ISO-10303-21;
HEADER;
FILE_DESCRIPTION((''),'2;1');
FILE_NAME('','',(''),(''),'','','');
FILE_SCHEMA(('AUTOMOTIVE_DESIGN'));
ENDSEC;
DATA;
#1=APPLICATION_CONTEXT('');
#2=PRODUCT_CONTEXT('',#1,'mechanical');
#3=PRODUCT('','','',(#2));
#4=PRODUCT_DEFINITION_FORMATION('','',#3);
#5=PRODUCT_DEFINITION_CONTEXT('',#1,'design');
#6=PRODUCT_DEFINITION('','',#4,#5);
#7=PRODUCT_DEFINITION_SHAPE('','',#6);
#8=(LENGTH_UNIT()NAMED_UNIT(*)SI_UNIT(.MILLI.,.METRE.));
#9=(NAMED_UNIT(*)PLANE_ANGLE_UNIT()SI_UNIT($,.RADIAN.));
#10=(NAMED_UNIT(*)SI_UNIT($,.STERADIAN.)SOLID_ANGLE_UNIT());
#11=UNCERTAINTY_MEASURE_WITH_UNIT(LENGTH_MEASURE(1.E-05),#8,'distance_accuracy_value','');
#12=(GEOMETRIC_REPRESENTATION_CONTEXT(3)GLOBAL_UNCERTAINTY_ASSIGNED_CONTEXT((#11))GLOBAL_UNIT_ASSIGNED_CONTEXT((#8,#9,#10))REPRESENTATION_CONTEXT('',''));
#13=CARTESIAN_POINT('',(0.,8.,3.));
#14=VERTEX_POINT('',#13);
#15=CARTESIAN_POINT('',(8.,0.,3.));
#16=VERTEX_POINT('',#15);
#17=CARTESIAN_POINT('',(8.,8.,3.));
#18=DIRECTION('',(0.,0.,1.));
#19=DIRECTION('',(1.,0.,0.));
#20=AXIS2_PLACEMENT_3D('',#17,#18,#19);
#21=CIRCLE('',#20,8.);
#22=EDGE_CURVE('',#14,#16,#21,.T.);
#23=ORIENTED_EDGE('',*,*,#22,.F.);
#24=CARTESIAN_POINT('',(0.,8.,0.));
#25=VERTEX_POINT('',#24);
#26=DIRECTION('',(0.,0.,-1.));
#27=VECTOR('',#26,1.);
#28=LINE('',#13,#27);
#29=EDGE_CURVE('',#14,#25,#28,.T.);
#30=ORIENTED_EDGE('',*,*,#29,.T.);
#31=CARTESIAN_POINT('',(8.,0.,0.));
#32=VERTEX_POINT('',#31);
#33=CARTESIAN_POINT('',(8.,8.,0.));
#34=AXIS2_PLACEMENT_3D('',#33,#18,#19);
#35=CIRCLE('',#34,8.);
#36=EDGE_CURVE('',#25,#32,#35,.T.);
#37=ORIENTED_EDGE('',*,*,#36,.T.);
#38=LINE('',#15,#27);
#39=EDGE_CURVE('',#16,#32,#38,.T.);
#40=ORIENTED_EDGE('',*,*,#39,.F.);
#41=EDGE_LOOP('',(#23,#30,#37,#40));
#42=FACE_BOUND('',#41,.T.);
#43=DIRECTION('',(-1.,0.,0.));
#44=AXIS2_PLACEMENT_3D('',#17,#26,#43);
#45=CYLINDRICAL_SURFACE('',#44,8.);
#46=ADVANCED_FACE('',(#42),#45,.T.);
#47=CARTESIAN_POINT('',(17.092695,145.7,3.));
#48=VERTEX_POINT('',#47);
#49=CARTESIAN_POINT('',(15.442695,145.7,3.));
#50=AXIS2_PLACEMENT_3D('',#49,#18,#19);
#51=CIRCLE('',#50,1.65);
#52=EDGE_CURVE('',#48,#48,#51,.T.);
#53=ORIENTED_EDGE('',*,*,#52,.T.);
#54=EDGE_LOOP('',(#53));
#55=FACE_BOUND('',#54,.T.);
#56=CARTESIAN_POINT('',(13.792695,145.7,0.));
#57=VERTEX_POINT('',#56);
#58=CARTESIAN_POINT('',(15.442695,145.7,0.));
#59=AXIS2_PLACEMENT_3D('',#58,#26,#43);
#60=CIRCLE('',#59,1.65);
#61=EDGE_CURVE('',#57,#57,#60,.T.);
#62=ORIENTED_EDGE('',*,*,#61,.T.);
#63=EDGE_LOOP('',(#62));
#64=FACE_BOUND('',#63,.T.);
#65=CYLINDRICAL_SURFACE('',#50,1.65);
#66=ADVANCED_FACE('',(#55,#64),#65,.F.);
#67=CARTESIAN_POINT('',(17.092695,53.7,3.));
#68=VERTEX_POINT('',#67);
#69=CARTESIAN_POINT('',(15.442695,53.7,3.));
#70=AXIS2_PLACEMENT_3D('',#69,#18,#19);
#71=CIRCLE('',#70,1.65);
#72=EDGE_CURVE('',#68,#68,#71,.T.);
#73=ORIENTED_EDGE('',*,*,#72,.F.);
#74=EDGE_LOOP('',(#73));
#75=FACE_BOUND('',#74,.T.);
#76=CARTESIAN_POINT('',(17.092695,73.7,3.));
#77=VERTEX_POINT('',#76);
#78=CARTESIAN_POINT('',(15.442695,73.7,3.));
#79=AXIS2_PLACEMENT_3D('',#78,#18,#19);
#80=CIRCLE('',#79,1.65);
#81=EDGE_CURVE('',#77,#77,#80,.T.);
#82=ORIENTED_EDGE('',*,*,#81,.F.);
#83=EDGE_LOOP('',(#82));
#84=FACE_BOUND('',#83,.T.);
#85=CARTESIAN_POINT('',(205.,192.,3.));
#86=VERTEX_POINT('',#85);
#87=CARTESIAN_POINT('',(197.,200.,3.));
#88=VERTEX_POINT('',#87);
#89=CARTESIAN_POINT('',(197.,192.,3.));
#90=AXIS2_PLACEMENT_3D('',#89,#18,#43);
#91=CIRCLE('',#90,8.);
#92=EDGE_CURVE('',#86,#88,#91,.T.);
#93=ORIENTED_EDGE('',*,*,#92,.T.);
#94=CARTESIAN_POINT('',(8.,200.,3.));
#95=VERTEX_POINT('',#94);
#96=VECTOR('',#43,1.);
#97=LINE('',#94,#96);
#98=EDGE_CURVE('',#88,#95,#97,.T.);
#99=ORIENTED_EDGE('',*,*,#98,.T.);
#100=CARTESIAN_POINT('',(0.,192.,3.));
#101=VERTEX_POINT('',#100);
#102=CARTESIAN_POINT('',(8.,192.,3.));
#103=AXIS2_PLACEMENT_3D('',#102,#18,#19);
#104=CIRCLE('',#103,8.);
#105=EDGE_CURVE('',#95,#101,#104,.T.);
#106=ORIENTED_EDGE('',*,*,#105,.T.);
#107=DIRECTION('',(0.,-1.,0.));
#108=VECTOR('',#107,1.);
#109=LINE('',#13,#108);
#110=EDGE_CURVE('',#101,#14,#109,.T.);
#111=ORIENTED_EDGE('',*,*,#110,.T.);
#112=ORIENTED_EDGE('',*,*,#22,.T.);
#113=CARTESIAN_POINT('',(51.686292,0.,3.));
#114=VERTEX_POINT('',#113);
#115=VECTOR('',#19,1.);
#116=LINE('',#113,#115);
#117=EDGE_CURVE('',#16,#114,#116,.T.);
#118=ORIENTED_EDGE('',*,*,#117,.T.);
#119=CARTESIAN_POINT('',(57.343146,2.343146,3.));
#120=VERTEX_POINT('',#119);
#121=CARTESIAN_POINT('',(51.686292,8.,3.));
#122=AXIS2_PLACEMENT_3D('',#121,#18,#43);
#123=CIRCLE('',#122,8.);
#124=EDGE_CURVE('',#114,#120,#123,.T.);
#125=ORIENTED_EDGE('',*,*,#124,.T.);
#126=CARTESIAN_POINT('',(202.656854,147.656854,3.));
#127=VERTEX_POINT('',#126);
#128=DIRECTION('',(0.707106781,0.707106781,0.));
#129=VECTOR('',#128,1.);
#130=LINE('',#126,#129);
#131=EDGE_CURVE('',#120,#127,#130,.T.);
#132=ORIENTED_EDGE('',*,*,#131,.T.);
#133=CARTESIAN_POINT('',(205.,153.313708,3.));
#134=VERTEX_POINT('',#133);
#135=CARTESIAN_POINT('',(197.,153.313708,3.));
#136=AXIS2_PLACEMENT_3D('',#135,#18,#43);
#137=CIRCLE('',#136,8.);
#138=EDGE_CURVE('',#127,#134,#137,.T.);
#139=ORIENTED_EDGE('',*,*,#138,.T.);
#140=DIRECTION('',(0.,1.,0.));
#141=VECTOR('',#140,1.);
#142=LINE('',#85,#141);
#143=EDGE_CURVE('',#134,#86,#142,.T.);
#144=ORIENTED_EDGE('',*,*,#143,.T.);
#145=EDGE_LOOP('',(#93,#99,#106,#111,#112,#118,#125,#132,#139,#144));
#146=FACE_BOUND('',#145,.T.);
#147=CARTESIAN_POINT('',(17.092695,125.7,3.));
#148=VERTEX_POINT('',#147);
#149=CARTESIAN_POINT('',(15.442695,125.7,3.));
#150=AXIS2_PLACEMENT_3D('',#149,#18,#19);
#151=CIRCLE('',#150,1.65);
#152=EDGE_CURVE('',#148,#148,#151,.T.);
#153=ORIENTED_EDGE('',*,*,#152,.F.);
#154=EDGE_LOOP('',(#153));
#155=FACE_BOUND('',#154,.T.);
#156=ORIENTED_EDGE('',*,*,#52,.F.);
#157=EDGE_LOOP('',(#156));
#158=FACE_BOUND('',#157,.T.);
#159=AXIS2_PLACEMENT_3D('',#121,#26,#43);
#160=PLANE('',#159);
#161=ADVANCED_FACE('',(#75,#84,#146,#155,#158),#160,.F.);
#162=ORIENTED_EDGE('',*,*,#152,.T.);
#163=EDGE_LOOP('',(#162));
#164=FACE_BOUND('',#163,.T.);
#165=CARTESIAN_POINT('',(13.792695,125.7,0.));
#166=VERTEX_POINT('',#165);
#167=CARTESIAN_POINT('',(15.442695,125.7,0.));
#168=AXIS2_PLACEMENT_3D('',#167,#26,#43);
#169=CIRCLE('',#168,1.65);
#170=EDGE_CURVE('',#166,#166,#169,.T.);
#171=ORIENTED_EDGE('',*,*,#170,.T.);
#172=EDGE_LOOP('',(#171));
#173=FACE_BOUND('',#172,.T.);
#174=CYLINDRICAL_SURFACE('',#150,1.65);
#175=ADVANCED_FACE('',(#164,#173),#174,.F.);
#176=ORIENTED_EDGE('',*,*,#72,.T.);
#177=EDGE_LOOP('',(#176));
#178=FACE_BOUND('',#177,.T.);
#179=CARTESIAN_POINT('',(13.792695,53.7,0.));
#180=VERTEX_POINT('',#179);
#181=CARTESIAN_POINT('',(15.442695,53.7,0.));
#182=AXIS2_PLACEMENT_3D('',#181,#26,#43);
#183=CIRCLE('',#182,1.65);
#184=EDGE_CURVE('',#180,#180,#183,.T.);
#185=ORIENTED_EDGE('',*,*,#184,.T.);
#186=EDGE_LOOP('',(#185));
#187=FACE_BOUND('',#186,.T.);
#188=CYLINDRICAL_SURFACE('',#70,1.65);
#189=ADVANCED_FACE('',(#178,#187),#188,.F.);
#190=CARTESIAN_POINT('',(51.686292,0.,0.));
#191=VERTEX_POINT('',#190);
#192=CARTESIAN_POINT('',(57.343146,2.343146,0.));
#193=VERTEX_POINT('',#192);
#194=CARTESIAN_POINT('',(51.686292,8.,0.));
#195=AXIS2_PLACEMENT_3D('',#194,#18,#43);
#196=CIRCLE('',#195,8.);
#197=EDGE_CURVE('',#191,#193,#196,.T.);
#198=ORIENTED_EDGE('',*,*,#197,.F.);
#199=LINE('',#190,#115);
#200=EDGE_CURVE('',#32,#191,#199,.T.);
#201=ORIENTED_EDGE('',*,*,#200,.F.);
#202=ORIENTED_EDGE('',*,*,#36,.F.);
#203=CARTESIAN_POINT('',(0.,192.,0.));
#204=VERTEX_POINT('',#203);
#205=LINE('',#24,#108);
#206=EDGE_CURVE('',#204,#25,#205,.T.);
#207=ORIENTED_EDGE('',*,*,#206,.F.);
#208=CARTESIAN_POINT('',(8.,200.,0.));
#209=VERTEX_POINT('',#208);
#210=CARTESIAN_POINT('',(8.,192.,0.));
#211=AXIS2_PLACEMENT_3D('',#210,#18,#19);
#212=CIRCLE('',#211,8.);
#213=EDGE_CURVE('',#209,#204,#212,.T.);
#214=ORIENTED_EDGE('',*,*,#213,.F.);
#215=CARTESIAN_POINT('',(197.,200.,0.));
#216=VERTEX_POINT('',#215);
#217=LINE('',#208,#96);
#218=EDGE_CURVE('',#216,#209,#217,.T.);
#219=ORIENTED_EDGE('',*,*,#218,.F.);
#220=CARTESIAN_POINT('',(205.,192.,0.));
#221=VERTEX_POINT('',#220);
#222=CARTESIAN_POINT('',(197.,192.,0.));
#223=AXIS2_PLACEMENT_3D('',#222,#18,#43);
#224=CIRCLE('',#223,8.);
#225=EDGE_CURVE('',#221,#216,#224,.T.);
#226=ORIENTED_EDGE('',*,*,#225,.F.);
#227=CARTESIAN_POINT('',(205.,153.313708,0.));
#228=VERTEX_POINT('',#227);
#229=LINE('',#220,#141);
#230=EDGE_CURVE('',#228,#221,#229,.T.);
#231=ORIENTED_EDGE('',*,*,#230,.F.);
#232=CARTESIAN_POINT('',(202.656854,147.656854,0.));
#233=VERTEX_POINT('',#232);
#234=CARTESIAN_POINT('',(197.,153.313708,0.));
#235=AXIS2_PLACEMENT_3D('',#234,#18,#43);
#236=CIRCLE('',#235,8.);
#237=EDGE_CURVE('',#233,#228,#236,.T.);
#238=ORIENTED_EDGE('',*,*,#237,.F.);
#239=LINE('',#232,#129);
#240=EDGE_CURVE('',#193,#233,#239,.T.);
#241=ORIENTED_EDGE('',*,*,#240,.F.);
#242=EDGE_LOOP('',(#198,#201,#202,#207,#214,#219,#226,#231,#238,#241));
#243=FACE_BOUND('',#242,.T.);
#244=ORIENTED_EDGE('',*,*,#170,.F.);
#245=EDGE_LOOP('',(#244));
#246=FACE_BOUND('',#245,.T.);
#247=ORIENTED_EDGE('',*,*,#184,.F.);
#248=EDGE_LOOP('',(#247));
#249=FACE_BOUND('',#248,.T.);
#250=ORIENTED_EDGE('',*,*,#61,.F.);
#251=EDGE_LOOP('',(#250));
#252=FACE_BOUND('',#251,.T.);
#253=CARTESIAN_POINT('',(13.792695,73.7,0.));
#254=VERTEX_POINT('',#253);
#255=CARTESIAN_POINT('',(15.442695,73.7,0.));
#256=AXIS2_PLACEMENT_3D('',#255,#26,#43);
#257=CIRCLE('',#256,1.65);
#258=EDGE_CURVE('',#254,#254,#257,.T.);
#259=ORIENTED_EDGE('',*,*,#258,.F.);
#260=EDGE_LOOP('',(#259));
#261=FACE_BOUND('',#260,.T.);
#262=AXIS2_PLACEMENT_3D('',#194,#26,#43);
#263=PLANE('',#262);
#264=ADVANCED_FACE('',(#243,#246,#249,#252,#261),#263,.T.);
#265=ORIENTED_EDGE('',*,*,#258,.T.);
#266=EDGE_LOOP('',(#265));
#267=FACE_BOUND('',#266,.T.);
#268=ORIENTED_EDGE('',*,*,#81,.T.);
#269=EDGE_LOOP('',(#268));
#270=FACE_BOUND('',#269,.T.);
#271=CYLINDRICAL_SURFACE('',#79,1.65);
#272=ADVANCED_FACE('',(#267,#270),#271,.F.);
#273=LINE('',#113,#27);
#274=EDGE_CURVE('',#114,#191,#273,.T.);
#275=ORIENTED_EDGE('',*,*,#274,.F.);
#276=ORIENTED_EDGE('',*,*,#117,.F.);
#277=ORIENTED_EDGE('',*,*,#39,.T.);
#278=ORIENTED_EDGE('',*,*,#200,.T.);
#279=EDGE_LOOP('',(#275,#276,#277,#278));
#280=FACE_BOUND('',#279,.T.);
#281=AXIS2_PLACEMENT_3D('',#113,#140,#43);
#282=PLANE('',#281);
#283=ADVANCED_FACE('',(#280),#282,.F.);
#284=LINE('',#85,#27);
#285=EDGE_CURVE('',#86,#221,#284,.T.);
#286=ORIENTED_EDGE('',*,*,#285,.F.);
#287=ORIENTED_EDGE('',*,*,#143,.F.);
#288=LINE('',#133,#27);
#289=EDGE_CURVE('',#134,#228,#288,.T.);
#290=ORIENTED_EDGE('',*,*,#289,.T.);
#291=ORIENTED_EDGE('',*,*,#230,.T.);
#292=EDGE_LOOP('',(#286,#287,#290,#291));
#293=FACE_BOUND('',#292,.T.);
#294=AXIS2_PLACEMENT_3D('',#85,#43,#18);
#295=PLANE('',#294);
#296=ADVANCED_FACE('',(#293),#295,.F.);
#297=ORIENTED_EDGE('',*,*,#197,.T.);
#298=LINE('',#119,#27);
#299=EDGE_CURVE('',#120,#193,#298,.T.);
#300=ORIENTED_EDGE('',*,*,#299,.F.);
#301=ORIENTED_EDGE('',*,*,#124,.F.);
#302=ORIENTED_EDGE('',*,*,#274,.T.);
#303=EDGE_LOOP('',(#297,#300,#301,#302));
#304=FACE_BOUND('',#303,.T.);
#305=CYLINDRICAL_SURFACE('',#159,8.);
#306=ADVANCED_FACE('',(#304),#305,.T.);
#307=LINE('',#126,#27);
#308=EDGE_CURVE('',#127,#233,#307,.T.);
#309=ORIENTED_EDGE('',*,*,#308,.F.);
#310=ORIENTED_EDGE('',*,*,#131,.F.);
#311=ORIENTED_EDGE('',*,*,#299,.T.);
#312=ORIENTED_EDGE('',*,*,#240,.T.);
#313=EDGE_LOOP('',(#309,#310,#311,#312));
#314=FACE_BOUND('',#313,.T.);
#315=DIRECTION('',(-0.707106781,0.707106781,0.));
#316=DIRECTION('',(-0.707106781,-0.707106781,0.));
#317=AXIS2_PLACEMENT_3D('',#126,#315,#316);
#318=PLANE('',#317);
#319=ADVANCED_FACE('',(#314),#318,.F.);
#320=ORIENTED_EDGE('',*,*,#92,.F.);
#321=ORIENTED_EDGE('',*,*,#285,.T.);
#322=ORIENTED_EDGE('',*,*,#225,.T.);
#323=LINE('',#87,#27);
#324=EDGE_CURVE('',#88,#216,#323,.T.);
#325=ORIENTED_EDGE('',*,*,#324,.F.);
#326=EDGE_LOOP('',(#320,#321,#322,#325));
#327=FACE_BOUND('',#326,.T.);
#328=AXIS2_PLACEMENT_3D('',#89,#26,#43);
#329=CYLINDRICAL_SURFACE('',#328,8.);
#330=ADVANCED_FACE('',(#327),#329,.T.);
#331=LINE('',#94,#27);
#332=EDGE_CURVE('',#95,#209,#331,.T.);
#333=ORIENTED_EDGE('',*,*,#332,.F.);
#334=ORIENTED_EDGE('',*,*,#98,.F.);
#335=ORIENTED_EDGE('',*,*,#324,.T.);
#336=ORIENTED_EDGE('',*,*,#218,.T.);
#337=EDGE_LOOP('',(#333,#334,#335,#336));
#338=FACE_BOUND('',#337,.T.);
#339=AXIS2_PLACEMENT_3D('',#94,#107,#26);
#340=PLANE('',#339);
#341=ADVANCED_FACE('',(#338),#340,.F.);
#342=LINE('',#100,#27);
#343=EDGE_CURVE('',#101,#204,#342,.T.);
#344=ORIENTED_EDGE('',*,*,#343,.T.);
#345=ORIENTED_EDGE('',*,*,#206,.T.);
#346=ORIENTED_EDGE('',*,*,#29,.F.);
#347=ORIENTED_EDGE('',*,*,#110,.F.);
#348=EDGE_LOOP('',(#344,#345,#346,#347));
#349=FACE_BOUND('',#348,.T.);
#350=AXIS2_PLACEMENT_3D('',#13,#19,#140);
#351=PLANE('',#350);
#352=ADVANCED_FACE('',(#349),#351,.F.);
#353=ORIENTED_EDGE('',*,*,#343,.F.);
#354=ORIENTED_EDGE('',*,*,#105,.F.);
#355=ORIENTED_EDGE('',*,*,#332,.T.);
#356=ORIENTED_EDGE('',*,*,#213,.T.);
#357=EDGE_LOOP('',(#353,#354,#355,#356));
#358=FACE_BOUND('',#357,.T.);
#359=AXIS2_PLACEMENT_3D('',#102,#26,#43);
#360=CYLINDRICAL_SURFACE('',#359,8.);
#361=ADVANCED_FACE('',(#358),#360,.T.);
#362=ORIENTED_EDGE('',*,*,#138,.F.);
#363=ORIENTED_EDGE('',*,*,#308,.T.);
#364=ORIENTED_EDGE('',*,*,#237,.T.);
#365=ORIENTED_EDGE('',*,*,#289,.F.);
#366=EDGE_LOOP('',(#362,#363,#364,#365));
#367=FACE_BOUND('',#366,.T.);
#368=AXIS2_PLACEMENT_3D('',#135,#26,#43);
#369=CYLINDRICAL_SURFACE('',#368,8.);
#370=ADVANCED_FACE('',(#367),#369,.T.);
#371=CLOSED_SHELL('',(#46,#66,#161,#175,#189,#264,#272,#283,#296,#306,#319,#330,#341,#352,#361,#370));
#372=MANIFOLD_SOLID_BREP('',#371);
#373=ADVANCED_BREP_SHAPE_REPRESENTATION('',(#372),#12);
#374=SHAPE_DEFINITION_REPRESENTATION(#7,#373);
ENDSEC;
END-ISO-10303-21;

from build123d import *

# Parameters (mm, degrees)
ESTRUSIONE_ESTRUSIONE1_DEPTH    = 3
PREFORO_DA_MASCHIARE_M4_1_D     = 3.3
PREFORO_DA_MASCHIARE_M4_1_DEPTH = 40.6
PREFORO_DA_MASCHIARE_M4_1_TIP   = 0.991420021


with BuildPart() as part:
    # Schizzo1 → Estrusione-Estrusione1 (new body)
    with BuildSketch(Plane.XY):
        with BuildLine():
            Line((0, 8), (0, 192))
            ThreePointArc((0, 192), (2.343145751, 197.656854249), (8, 200))
            Line((8, 200), (197, 200))
            ThreePointArc((197, 200), (202.656854249, 197.656854249), (205, 192))
            Line((205, 192), (205, 153.313708499))
            ThreePointArc((205, 153.313708499), (204.39103626, 150.25224104), (202.656854249, 147.656854249))
            Line((202.656854249, 147.656854249), (57.343145751, 2.343145751))
            ThreePointArc((57.343145751, 2.343145751), (54.74775896, 0.60896374), (51.686291501, 0))
            Line((51.686291501, 0), (8, 0))
            ThreePointArc((8, 0), (2.343145751, 2.343145751), (0, 8))
        make_face()
    extrude(amount=ESTRUSIONE_ESTRUSIONE1_DEPTH)

    # Preforo da maschiare M4-1
    with Locations(Plane.XY.offset(3)):
        with Locations((15.44269502, 145.7), (15.44269502, 125.7), (15.44269502, 73.7), (15.44269502, 53.7)):
            Hole(PREFORO_DA_MASCHIARE_M4_1_D / 2, depth=PREFORO_DA_MASCHIARE_M4_1_DEPTH)
            with Locations((0, 0, -(PREFORO_DA_MASCHIARE_M4_1_DEPTH + PREFORO_DA_MASCHIARE_M4_1_TIP / 2))):  # 118° drill point
                Cone(0, PREFORO_DA_MASCHIARE_M4_1_D / 2, PREFORO_DA_MASCHIARE_M4_1_TIP, mode=Mode.SUBTRACT)


solid = part.part
